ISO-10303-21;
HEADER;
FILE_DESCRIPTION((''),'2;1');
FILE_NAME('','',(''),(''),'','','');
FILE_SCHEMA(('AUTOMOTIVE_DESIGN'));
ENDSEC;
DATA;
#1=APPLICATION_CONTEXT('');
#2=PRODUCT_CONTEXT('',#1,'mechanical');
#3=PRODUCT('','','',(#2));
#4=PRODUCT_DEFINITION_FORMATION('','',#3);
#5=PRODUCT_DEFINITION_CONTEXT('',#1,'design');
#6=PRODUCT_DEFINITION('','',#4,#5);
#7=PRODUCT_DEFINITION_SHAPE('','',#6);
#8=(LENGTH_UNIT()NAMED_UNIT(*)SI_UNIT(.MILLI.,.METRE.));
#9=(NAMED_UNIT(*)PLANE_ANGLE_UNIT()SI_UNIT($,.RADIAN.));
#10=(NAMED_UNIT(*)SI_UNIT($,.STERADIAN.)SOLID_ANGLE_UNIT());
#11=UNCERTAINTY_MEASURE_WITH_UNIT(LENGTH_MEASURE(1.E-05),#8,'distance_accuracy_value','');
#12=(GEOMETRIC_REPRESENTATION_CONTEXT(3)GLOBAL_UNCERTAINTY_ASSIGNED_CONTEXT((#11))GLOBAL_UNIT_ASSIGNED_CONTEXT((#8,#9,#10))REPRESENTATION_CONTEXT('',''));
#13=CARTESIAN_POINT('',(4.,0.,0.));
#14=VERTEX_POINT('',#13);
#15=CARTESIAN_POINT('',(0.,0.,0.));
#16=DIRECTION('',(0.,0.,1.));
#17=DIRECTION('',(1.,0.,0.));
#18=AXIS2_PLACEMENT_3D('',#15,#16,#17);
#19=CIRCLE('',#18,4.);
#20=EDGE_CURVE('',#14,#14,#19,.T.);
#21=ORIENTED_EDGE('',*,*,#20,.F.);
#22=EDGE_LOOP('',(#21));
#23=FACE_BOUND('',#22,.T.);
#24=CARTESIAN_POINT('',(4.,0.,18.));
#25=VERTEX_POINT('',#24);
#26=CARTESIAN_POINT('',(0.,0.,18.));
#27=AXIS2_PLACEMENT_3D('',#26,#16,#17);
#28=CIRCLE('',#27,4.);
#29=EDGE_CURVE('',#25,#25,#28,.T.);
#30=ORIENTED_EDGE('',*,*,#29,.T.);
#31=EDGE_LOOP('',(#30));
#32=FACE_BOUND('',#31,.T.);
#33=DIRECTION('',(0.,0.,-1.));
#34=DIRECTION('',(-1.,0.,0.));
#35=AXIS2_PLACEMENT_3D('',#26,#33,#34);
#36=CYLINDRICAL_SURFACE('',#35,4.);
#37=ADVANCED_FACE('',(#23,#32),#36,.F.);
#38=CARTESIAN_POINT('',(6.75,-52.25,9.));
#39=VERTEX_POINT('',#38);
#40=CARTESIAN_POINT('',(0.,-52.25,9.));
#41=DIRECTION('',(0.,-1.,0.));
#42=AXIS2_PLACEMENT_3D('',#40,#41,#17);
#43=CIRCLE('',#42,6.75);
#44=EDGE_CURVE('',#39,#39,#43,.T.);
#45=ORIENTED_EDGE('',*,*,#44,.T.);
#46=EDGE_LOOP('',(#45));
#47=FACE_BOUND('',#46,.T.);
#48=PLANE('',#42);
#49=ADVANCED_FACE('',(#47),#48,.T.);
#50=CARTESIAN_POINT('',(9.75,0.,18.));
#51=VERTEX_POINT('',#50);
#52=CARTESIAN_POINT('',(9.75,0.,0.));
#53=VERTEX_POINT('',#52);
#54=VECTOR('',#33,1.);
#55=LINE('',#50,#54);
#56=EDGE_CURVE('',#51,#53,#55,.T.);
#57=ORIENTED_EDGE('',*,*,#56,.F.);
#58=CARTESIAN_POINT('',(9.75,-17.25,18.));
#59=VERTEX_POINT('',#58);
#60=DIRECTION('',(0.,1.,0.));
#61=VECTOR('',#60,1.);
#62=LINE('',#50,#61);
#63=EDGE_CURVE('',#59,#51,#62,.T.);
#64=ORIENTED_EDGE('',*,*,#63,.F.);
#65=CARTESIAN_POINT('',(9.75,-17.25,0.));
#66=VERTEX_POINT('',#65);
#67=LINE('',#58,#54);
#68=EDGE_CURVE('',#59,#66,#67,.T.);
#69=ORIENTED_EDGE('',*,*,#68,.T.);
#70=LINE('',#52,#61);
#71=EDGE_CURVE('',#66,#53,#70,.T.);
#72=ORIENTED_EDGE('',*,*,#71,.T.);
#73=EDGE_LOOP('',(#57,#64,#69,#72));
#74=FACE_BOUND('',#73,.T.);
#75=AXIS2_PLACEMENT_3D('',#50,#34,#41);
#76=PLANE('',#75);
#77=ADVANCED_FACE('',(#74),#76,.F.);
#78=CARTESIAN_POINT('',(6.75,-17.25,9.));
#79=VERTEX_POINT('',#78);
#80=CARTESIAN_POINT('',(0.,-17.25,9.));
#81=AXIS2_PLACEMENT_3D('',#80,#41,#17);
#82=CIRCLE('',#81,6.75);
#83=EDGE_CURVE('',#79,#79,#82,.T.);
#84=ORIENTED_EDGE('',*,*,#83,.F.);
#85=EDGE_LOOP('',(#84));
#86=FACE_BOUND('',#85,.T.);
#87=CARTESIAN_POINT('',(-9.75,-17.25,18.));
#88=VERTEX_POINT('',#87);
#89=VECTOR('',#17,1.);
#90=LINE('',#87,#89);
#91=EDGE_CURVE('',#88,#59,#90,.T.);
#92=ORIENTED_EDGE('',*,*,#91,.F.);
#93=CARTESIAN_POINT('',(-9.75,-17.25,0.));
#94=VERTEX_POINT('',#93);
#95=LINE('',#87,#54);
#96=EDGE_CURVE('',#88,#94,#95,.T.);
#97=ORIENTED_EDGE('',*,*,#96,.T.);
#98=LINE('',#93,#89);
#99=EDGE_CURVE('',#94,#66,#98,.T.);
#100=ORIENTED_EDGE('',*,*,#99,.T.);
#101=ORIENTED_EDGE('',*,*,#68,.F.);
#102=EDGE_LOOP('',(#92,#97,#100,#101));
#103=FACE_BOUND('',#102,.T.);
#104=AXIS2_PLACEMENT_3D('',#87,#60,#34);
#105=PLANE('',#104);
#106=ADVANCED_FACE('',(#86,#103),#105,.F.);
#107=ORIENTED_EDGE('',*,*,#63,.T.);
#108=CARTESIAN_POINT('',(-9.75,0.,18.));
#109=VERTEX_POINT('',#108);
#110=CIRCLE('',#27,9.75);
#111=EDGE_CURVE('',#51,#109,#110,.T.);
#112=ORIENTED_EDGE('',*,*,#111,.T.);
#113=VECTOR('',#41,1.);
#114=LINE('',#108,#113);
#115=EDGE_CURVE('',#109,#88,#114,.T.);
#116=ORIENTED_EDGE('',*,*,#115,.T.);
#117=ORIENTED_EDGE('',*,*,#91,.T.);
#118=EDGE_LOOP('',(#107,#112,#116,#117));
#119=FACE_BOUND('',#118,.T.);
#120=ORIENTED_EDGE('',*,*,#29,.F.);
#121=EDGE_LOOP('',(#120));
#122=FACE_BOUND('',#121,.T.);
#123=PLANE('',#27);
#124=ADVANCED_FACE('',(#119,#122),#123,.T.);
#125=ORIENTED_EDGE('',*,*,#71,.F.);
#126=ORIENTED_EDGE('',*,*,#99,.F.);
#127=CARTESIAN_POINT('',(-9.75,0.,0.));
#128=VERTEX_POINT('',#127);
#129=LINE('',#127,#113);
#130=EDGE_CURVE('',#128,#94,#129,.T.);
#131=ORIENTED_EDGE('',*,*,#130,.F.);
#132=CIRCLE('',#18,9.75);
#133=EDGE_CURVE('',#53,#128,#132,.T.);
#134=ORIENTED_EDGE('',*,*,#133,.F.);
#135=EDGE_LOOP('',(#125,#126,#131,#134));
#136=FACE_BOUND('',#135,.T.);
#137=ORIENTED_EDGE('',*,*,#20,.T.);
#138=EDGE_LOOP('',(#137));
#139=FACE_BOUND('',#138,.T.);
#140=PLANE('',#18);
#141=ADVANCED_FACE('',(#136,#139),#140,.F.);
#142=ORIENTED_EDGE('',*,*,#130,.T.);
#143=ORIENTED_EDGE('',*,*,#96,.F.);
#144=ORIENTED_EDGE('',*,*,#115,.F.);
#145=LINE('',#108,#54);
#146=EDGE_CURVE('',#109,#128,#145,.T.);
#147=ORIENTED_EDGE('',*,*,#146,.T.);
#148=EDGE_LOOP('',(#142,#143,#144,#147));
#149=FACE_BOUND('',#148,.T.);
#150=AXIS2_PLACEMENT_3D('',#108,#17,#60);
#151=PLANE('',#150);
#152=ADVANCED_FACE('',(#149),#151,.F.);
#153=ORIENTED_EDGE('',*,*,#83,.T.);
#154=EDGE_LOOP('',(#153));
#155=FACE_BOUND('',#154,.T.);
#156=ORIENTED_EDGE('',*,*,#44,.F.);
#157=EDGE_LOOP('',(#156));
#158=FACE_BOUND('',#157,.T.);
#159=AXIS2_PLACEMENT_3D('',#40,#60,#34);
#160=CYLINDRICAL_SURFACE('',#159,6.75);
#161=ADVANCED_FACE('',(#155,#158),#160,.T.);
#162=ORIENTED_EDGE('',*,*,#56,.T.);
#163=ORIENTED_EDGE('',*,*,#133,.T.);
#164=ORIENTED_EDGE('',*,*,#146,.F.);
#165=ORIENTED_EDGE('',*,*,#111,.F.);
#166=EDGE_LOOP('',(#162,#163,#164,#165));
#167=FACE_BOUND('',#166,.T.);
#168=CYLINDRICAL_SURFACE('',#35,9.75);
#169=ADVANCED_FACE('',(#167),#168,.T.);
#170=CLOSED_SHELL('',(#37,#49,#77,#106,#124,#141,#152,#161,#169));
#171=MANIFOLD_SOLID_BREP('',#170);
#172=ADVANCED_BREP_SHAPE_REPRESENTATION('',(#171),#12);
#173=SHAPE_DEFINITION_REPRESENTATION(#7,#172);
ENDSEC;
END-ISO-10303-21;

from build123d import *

# Parameters (mm, degrees)
SKETCH1_R           = 4
BOSS_EXTRUDE2_DEPTH = 18
SKETCH2_R           = 6.75
BOSS_EXTRUDE3_DEPTH = 35


with BuildPart() as part:
    # Sketch1 → Boss-Extrude2 (new body)
    with BuildSketch(Plane.XY):
        with BuildLine():
            Line((-9.75, 0), (-9.75, -17.25))
            Line((-9.75, -17.25), (9.75, -17.25))
            Line((9.75, -17.25), (9.75, 0))
            ThreePointArc((9.75, 0), (0, 9.75), (-9.75, 0))
        make_face()
        Circle(SKETCH1_R, mode=Mode.SUBTRACT)
    extrude(amount=BOSS_EXTRUDE2_DEPTH)

    # Sketch2 → Boss-Extrude3 (add)
    with BuildSketch(Plane.XZ.offset(17.25)):
        with Locations((0, 9)):
            Circle(SKETCH2_R)
    extrude(amount=BOSS_EXTRUDE3_DEPTH)


solid = part.part
